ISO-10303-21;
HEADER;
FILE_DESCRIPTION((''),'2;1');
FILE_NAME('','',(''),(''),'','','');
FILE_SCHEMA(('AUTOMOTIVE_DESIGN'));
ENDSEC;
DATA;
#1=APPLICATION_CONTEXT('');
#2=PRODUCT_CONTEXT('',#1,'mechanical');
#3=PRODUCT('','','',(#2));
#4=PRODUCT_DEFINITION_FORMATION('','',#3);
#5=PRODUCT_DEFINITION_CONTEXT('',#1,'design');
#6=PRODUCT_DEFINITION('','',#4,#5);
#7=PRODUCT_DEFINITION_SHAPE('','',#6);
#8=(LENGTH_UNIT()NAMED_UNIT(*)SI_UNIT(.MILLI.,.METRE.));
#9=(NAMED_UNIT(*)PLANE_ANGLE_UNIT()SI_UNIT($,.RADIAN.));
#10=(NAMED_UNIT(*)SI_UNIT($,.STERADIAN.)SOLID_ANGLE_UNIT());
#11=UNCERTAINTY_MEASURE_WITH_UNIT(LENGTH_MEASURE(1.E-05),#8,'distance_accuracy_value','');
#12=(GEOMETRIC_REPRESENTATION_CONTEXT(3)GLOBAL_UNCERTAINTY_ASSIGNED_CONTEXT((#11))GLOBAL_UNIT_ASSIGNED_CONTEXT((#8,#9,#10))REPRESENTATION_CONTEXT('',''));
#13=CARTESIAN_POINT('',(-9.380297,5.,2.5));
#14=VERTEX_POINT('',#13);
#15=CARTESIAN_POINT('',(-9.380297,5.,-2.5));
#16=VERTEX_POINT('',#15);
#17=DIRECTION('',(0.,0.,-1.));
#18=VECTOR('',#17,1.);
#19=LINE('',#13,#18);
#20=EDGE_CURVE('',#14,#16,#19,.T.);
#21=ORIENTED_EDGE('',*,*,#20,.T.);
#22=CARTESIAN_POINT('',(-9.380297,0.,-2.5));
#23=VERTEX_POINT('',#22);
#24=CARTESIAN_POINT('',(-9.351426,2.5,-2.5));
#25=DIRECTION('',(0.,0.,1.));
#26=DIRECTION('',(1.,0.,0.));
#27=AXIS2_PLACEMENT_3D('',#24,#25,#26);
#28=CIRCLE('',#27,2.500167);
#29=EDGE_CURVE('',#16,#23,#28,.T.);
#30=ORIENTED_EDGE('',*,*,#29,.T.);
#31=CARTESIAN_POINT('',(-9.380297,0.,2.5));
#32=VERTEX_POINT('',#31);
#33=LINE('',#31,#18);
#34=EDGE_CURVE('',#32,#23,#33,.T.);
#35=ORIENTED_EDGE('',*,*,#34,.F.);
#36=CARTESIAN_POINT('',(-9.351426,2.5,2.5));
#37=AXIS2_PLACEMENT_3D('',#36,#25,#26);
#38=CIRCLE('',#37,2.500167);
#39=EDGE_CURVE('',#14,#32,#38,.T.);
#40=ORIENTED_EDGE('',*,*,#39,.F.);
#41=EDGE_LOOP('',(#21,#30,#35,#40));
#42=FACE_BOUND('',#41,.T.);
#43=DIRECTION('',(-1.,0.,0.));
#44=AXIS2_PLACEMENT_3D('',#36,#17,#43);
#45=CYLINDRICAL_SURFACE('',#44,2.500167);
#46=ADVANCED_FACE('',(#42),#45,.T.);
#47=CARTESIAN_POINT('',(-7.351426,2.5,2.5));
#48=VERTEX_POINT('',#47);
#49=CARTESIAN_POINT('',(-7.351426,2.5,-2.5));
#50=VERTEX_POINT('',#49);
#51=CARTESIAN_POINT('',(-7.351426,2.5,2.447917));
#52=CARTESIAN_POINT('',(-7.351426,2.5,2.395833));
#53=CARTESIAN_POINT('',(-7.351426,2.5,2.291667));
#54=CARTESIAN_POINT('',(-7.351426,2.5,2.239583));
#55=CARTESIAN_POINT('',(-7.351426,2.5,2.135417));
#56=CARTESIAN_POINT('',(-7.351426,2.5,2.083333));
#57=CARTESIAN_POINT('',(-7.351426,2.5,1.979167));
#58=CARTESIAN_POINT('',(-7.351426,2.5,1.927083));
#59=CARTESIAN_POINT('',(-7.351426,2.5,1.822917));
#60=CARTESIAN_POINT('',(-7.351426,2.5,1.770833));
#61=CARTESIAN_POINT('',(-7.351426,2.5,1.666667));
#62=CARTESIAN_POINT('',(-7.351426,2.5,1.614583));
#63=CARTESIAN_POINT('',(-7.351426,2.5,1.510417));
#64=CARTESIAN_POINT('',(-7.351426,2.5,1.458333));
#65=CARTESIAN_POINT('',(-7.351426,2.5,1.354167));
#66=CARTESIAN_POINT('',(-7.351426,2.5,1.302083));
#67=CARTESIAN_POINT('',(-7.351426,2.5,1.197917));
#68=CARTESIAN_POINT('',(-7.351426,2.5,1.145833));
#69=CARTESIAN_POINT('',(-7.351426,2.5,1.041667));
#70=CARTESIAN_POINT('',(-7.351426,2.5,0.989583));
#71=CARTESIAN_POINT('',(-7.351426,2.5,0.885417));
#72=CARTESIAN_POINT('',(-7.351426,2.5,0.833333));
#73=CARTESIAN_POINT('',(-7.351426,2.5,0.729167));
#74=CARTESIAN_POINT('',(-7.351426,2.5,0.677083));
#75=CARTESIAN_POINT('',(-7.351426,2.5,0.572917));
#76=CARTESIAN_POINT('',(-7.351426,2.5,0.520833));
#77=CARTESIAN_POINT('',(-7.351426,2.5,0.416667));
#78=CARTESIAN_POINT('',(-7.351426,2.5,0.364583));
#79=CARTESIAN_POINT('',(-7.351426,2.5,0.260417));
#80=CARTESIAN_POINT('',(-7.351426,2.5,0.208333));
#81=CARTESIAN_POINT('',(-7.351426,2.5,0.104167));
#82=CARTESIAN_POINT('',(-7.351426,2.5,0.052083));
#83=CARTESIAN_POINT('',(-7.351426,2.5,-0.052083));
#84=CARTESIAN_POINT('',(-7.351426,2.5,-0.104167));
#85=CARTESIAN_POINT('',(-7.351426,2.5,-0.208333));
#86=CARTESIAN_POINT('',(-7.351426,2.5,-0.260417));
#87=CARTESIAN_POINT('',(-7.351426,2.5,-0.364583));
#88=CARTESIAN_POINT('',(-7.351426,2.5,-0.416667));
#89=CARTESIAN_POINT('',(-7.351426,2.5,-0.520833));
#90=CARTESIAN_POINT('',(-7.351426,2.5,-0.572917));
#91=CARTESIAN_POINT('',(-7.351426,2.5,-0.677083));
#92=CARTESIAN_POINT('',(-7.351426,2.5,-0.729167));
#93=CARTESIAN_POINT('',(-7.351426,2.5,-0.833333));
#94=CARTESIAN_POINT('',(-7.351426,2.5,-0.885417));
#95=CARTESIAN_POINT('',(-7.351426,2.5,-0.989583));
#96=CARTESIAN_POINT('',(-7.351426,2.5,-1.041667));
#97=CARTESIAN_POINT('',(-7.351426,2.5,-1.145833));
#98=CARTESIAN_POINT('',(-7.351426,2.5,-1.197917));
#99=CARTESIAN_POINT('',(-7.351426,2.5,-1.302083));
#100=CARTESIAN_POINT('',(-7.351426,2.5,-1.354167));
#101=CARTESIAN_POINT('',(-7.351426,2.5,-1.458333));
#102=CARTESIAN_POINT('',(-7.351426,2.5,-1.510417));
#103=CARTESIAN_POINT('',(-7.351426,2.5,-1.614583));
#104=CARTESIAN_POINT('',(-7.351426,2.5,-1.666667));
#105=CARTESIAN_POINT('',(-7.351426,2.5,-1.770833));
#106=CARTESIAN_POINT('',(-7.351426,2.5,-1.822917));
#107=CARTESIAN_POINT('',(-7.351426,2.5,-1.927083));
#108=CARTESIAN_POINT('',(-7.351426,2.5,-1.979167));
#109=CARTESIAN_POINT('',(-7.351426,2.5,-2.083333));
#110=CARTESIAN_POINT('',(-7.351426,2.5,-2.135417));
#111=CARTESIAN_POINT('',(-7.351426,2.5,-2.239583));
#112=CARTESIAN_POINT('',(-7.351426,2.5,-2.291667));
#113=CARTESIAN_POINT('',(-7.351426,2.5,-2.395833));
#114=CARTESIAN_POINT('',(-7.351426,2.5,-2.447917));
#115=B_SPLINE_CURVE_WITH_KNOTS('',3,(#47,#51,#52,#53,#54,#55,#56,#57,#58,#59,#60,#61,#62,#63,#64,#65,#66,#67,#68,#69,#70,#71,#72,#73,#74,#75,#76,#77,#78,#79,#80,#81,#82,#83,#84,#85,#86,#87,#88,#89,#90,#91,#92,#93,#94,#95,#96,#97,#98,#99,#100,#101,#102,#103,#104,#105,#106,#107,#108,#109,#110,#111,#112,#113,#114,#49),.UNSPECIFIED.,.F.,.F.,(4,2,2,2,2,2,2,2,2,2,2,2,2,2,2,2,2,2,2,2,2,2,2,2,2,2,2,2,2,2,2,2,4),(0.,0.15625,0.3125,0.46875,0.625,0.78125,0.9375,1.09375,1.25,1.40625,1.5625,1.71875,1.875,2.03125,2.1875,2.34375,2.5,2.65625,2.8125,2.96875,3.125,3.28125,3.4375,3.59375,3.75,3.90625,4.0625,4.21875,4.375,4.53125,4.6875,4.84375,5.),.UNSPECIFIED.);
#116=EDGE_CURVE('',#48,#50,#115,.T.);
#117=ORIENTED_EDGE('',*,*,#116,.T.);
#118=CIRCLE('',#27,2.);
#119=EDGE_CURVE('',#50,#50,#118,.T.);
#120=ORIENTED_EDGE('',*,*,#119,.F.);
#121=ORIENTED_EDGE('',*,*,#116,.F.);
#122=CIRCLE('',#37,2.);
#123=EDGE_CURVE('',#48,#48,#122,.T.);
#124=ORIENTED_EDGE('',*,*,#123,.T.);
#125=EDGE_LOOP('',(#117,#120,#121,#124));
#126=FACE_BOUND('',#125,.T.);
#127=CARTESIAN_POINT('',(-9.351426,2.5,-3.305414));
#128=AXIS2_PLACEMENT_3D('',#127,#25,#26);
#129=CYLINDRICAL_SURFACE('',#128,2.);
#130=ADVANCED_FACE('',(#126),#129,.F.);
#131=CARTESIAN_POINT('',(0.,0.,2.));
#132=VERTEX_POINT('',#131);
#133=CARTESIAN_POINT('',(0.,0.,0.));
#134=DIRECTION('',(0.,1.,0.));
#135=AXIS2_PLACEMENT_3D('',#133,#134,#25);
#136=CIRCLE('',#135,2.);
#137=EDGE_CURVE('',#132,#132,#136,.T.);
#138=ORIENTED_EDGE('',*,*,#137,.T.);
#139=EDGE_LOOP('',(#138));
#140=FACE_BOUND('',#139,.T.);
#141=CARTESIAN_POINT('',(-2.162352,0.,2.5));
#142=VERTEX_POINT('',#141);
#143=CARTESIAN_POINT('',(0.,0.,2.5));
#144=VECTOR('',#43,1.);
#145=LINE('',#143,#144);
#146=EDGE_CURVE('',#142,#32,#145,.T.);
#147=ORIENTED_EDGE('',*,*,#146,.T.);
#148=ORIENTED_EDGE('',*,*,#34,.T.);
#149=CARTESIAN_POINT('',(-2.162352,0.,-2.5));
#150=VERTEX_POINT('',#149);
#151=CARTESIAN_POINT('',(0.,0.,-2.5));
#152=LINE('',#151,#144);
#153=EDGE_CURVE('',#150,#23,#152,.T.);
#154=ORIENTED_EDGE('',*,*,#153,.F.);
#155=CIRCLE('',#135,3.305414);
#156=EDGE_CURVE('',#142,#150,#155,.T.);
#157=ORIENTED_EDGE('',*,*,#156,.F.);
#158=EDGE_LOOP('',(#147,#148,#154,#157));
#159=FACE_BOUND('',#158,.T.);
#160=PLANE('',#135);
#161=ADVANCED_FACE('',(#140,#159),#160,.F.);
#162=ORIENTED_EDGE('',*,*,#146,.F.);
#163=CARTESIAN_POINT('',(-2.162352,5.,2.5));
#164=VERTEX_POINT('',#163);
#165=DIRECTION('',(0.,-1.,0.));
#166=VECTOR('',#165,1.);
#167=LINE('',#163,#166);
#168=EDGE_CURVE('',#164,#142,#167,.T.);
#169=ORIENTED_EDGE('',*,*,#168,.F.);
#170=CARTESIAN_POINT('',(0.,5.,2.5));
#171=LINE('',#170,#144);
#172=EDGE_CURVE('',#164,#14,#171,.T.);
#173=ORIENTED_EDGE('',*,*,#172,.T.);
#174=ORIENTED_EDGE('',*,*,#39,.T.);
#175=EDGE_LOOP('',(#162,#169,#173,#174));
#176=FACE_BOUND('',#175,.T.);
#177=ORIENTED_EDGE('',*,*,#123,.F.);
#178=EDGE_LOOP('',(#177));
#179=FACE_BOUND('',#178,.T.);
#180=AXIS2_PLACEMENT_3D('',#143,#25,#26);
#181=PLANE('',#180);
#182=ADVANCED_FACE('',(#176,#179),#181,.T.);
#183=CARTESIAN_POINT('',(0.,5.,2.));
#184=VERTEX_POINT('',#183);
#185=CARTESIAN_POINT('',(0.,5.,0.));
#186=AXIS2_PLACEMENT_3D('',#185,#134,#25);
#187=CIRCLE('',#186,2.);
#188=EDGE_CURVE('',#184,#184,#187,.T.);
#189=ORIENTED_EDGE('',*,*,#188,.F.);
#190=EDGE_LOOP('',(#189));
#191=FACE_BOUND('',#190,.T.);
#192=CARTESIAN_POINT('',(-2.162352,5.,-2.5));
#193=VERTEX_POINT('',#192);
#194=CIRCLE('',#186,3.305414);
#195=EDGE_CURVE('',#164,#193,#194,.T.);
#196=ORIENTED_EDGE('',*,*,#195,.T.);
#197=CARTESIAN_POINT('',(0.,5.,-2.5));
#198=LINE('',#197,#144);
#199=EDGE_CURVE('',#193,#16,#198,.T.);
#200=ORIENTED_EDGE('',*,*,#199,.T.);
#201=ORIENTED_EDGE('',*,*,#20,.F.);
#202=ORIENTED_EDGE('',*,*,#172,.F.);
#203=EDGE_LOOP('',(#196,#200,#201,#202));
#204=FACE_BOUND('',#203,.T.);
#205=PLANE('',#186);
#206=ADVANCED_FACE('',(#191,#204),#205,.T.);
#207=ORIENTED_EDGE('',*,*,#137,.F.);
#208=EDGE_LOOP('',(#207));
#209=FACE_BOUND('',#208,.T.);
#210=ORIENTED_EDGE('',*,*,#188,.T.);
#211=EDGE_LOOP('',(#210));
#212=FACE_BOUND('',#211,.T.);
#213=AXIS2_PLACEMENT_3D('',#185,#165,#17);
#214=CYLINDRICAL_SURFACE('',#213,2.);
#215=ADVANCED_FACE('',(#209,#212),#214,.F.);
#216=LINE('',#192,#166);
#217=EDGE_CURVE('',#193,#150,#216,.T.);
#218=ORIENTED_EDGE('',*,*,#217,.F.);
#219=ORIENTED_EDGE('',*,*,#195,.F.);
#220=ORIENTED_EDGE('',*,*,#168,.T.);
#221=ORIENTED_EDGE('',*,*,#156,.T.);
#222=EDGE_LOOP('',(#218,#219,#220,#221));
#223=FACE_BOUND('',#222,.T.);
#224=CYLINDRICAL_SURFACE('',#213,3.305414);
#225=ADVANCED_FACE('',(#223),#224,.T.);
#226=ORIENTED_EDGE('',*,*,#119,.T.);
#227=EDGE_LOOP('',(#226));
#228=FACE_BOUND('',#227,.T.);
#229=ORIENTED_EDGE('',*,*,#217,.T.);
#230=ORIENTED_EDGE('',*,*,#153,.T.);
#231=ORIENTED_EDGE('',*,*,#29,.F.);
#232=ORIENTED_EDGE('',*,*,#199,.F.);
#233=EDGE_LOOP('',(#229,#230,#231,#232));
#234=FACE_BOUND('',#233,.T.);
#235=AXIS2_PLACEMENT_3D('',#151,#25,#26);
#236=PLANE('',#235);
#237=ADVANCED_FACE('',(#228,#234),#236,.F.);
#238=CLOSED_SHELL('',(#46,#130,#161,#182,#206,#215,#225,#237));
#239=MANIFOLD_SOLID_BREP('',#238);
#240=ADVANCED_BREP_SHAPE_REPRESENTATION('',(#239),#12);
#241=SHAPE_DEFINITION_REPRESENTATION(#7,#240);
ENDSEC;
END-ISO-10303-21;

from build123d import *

# Parameters (mm, degrees)
SKETCH_1_R          = 3.305414419
SKETCH_1_R_2        = 2
EXTRUDE_1_DEPTH     = 5
EXTRUDE_2_DEPTH     = 2.5
CUT_EXTRUDE_START   = -5
SKETCH_5_R          = 2
CUT_EXTRUDE_1_DEPTH = 5
SKETCH_6_R          = 2
CUT_EXTRUDE_2_DEPTH = 15.112515325


with BuildPart() as part:
    # 草图1 → 凸台-拉伸1 (new body)
    with BuildSketch(Plane(origin=(0, 0, 0), x_dir=(1, 0, 0), z_dir=(0, 1, 0))):
        with Locations(Location((0, 0, 0), (0, 0, 270))):
            Circle(SKETCH_1_R)
        with Locations(Location((0, 0, 0), (0, 0, 270))):
            Circle(SKETCH_1_R_2, mode=Mode.SUBTRACT)
    extrude(amount=EXTRUDE_1_DEPTH)

    # 草图4 → 凸台-拉伸2 (add, symmetric)
    with BuildSketch(Plane.XY):
        with BuildLine():
            Line((0, 0), (0, 5))
            Line((0, 5), (-9.380296623, 5))
            ThreePointArc((-9.380296623, 5), (-11.851592814, 2.5), (-9.380296623, 0))
            Line((-9.380296623, 0), (0, 0))
        make_face()
    extrude(amount=EXTRUDE_2_DEPTH, both=True)

    # 草图5 → 切除-拉伸1 (cut)
    with BuildSketch(Plane(origin=(0, 5, 0), x_dir=(1, 0, 0), z_dir=(0, 1, 0)).offset(CUT_EXTRUDE_START)):
        with Locations(Location((0, 0, 0), (0, 0, 270))):
            Circle(SKETCH_5_R)
    extrude(amount=CUT_EXTRUDE_1_DEPTH, mode=Mode.SUBTRACT)

    # 草图6 → 切除-拉伸2 (cut, through all)
    with BuildSketch(Plane.XY.offset(2.5)):
        with Locations((-9.351426118, 2.5)):
            Circle(SKETCH_6_R)
    extrude(amount=-CUT_EXTRUDE_2_DEPTH, mode=Mode.SUBTRACT)


solid = part.part
